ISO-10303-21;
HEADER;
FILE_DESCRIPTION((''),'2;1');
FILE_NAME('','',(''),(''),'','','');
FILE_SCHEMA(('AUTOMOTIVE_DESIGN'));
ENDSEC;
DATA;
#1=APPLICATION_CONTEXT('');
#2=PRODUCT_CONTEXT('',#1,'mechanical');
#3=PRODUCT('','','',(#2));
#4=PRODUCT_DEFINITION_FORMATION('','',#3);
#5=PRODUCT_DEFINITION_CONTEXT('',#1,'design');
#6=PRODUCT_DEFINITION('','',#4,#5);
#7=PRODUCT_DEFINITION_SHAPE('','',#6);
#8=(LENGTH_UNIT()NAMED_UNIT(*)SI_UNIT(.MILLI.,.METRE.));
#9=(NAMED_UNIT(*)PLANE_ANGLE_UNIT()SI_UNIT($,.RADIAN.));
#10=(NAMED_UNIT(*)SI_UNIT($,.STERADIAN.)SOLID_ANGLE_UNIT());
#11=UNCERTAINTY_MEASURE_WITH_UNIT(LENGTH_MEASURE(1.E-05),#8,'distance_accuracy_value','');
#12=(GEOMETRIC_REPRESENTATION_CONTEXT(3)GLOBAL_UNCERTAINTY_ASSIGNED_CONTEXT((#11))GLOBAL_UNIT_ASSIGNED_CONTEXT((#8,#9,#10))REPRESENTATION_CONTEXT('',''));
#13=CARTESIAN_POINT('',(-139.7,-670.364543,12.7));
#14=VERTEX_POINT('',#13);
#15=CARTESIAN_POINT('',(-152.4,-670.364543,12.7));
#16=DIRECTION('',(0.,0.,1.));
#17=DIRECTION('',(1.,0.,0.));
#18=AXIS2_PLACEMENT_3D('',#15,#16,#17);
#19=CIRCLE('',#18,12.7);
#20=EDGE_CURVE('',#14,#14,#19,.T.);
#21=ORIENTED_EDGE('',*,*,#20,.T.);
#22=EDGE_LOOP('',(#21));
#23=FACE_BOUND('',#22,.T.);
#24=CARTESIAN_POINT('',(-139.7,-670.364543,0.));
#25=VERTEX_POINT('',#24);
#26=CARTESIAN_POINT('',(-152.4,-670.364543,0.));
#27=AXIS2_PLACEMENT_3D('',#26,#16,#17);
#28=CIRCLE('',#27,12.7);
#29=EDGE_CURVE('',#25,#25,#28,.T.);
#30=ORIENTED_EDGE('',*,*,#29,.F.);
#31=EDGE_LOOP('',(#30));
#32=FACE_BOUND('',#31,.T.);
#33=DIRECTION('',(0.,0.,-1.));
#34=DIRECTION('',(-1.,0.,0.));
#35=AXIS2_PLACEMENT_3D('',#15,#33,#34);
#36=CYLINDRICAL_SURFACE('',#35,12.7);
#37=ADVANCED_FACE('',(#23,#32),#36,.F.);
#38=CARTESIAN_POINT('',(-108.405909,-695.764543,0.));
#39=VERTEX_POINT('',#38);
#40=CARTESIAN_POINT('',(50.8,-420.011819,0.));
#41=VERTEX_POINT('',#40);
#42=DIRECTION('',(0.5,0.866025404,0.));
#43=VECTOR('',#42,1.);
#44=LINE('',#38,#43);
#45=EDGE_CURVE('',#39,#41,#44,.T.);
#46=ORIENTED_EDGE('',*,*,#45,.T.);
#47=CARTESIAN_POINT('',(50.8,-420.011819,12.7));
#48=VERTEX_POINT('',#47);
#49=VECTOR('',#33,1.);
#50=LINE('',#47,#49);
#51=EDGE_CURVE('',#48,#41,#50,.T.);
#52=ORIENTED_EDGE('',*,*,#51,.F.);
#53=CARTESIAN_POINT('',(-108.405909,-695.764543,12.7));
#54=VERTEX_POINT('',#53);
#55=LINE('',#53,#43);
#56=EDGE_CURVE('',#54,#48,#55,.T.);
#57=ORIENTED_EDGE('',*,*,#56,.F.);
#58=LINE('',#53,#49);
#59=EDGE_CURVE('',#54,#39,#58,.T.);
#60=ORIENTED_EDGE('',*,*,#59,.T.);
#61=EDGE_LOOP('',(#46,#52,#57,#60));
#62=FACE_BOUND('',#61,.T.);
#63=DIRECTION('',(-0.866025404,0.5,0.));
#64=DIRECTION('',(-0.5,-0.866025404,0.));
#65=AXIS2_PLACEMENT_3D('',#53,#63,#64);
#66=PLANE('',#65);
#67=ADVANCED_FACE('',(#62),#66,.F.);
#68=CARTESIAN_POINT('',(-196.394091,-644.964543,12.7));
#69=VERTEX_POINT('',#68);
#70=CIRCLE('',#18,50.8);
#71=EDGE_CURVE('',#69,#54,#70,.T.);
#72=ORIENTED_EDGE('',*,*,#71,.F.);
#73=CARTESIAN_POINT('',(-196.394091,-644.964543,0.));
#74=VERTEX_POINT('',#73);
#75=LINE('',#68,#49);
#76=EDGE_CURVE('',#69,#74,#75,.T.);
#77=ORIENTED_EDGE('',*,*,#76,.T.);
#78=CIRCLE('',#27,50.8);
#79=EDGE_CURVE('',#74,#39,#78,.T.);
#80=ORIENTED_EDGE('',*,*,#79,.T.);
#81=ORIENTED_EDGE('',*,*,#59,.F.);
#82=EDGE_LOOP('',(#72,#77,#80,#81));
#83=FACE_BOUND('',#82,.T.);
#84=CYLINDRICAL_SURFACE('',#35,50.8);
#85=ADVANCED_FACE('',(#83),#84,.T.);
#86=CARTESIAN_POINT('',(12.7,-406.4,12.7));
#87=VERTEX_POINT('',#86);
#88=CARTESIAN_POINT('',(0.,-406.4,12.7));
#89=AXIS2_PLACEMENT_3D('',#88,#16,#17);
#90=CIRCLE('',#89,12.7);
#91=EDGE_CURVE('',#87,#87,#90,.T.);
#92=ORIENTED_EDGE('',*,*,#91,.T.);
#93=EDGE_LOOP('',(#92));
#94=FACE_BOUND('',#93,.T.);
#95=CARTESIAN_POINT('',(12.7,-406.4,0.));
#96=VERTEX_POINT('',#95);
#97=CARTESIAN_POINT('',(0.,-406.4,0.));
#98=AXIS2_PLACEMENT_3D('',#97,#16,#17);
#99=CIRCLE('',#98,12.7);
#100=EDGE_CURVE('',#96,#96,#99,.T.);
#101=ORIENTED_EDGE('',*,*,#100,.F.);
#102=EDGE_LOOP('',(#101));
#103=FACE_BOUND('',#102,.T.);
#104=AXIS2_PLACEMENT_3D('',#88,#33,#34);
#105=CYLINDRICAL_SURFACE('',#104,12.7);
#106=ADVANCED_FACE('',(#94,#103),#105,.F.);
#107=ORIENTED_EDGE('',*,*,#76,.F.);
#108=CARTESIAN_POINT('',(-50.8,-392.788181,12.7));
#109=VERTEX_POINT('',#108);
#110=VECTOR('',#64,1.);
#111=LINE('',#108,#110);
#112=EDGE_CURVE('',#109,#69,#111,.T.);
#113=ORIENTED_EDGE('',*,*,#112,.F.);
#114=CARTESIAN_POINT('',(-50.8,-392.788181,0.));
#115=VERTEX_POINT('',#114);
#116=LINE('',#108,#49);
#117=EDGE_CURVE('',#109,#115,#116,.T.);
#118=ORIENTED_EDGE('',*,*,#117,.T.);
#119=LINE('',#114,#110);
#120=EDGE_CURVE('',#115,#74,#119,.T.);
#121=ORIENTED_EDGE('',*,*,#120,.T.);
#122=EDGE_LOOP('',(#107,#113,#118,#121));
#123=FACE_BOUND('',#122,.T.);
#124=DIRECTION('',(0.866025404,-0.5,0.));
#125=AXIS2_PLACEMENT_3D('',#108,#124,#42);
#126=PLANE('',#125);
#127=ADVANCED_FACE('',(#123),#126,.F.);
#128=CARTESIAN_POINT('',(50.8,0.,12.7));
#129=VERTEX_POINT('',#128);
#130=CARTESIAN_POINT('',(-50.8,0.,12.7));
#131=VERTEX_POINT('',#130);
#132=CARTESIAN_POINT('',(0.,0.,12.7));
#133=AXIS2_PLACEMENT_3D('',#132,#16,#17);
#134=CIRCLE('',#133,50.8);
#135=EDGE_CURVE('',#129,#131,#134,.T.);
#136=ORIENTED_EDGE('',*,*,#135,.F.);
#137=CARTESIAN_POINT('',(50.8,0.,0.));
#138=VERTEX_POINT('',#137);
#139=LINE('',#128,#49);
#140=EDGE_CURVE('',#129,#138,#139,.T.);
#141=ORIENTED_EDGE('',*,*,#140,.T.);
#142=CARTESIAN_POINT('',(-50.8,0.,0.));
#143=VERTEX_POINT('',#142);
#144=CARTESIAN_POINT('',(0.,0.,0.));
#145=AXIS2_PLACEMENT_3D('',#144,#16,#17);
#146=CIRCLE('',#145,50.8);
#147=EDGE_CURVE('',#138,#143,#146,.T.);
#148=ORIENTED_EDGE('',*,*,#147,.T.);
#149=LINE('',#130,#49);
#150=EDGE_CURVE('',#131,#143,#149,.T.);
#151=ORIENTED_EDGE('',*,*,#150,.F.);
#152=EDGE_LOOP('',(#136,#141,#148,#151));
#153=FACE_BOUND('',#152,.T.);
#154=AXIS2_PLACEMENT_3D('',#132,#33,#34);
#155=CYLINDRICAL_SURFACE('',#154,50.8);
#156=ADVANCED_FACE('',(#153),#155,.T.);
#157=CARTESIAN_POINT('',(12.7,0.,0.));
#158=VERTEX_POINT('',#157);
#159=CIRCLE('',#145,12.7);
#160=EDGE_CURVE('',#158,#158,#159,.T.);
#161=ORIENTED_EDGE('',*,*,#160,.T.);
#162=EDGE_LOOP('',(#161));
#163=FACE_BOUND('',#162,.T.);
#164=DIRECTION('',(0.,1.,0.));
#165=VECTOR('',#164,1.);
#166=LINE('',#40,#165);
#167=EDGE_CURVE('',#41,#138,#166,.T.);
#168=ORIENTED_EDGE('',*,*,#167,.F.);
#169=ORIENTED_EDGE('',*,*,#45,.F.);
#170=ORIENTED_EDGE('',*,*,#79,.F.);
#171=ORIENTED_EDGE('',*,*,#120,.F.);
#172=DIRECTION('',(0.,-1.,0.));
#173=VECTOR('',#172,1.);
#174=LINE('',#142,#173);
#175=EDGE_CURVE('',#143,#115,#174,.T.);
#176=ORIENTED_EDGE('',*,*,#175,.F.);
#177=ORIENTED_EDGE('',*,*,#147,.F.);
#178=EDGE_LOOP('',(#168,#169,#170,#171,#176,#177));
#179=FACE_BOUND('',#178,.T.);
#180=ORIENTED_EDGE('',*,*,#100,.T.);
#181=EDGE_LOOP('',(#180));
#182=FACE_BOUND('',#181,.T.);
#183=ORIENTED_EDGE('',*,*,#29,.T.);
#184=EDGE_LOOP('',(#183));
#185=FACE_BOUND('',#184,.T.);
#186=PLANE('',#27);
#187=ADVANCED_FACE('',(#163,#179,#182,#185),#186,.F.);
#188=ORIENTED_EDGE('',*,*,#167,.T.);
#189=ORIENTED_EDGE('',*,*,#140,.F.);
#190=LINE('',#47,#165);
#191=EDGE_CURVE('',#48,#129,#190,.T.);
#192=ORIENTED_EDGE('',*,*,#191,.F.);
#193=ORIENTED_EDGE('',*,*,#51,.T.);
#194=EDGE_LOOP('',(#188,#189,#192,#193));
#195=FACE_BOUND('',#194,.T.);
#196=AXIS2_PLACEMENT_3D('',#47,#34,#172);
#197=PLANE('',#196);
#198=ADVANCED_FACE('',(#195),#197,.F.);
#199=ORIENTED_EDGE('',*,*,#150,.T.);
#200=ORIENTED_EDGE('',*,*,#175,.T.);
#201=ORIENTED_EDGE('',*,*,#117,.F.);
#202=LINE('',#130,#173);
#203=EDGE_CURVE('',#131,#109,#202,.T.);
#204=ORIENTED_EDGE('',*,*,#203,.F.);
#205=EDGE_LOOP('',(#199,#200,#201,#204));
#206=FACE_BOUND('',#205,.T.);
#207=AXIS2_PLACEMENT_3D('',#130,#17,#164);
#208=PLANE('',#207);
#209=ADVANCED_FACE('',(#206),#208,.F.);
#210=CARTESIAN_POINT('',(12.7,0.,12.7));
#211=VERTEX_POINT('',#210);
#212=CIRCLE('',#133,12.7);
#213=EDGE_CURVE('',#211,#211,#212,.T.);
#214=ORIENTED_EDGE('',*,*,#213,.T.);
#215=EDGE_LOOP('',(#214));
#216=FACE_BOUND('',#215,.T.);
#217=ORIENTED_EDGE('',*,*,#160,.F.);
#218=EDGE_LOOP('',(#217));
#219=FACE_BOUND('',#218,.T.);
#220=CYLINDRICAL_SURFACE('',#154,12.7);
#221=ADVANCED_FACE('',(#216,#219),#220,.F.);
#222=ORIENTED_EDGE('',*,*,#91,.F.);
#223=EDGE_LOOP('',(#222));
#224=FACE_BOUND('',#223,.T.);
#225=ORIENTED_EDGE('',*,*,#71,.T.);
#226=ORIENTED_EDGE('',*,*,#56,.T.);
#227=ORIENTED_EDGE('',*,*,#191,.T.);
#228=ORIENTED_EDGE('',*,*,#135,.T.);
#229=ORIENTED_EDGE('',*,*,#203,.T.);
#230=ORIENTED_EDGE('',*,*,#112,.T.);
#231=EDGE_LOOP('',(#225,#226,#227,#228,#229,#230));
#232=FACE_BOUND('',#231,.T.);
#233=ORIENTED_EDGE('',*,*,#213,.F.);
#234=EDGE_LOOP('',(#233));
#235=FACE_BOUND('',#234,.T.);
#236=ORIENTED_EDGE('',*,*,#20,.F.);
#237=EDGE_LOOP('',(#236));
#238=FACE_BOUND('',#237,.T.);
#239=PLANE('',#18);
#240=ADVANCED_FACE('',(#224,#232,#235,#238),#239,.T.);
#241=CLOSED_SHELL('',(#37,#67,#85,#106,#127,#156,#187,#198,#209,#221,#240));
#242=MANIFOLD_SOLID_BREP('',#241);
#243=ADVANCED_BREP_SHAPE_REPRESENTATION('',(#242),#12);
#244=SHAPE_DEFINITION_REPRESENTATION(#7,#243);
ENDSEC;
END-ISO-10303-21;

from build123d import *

# Parameters (mm, degrees)
SKETCH1_R           = 12.7
BOSS_EXTRUDE1_DEPTH = 12.7


with BuildPart() as part:
    # Sketch1 → Boss-Extrude1 (new body)
    with BuildSketch(Plane.XY):
        with BuildLine():
            Line((-108.405909488, -695.764543073), (50.8, -420.011818976))
            Line((50.8, -420.011818976), (50.8, 0))
            ThreePointArc((50.8, 0), (0, 50.8), (-50.8, 0))
            Line((-50.8, 0), (-50.8, -392.788181024))
            Line((-50.8, -392.788181024), (-196.394090512, -644.964543073))
            ThreePointArc((-196.394090512, -644.964543073), (-177.8, -714.358633586), (-108.405909488, -695.764543073))
        make_face()
        Circle(SKETCH1_R, mode=Mode.SUBTRACT)
        with Locations((-152.4, -670.364543073)):
            Circle(SKETCH1_R, mode=Mode.SUBTRACT)
        with Locations((0, -406.4)):
            Circle(SKETCH1_R, mode=Mode.SUBTRACT)
    extrude(amount=BOSS_EXTRUDE1_DEPTH)


solid = part.part
